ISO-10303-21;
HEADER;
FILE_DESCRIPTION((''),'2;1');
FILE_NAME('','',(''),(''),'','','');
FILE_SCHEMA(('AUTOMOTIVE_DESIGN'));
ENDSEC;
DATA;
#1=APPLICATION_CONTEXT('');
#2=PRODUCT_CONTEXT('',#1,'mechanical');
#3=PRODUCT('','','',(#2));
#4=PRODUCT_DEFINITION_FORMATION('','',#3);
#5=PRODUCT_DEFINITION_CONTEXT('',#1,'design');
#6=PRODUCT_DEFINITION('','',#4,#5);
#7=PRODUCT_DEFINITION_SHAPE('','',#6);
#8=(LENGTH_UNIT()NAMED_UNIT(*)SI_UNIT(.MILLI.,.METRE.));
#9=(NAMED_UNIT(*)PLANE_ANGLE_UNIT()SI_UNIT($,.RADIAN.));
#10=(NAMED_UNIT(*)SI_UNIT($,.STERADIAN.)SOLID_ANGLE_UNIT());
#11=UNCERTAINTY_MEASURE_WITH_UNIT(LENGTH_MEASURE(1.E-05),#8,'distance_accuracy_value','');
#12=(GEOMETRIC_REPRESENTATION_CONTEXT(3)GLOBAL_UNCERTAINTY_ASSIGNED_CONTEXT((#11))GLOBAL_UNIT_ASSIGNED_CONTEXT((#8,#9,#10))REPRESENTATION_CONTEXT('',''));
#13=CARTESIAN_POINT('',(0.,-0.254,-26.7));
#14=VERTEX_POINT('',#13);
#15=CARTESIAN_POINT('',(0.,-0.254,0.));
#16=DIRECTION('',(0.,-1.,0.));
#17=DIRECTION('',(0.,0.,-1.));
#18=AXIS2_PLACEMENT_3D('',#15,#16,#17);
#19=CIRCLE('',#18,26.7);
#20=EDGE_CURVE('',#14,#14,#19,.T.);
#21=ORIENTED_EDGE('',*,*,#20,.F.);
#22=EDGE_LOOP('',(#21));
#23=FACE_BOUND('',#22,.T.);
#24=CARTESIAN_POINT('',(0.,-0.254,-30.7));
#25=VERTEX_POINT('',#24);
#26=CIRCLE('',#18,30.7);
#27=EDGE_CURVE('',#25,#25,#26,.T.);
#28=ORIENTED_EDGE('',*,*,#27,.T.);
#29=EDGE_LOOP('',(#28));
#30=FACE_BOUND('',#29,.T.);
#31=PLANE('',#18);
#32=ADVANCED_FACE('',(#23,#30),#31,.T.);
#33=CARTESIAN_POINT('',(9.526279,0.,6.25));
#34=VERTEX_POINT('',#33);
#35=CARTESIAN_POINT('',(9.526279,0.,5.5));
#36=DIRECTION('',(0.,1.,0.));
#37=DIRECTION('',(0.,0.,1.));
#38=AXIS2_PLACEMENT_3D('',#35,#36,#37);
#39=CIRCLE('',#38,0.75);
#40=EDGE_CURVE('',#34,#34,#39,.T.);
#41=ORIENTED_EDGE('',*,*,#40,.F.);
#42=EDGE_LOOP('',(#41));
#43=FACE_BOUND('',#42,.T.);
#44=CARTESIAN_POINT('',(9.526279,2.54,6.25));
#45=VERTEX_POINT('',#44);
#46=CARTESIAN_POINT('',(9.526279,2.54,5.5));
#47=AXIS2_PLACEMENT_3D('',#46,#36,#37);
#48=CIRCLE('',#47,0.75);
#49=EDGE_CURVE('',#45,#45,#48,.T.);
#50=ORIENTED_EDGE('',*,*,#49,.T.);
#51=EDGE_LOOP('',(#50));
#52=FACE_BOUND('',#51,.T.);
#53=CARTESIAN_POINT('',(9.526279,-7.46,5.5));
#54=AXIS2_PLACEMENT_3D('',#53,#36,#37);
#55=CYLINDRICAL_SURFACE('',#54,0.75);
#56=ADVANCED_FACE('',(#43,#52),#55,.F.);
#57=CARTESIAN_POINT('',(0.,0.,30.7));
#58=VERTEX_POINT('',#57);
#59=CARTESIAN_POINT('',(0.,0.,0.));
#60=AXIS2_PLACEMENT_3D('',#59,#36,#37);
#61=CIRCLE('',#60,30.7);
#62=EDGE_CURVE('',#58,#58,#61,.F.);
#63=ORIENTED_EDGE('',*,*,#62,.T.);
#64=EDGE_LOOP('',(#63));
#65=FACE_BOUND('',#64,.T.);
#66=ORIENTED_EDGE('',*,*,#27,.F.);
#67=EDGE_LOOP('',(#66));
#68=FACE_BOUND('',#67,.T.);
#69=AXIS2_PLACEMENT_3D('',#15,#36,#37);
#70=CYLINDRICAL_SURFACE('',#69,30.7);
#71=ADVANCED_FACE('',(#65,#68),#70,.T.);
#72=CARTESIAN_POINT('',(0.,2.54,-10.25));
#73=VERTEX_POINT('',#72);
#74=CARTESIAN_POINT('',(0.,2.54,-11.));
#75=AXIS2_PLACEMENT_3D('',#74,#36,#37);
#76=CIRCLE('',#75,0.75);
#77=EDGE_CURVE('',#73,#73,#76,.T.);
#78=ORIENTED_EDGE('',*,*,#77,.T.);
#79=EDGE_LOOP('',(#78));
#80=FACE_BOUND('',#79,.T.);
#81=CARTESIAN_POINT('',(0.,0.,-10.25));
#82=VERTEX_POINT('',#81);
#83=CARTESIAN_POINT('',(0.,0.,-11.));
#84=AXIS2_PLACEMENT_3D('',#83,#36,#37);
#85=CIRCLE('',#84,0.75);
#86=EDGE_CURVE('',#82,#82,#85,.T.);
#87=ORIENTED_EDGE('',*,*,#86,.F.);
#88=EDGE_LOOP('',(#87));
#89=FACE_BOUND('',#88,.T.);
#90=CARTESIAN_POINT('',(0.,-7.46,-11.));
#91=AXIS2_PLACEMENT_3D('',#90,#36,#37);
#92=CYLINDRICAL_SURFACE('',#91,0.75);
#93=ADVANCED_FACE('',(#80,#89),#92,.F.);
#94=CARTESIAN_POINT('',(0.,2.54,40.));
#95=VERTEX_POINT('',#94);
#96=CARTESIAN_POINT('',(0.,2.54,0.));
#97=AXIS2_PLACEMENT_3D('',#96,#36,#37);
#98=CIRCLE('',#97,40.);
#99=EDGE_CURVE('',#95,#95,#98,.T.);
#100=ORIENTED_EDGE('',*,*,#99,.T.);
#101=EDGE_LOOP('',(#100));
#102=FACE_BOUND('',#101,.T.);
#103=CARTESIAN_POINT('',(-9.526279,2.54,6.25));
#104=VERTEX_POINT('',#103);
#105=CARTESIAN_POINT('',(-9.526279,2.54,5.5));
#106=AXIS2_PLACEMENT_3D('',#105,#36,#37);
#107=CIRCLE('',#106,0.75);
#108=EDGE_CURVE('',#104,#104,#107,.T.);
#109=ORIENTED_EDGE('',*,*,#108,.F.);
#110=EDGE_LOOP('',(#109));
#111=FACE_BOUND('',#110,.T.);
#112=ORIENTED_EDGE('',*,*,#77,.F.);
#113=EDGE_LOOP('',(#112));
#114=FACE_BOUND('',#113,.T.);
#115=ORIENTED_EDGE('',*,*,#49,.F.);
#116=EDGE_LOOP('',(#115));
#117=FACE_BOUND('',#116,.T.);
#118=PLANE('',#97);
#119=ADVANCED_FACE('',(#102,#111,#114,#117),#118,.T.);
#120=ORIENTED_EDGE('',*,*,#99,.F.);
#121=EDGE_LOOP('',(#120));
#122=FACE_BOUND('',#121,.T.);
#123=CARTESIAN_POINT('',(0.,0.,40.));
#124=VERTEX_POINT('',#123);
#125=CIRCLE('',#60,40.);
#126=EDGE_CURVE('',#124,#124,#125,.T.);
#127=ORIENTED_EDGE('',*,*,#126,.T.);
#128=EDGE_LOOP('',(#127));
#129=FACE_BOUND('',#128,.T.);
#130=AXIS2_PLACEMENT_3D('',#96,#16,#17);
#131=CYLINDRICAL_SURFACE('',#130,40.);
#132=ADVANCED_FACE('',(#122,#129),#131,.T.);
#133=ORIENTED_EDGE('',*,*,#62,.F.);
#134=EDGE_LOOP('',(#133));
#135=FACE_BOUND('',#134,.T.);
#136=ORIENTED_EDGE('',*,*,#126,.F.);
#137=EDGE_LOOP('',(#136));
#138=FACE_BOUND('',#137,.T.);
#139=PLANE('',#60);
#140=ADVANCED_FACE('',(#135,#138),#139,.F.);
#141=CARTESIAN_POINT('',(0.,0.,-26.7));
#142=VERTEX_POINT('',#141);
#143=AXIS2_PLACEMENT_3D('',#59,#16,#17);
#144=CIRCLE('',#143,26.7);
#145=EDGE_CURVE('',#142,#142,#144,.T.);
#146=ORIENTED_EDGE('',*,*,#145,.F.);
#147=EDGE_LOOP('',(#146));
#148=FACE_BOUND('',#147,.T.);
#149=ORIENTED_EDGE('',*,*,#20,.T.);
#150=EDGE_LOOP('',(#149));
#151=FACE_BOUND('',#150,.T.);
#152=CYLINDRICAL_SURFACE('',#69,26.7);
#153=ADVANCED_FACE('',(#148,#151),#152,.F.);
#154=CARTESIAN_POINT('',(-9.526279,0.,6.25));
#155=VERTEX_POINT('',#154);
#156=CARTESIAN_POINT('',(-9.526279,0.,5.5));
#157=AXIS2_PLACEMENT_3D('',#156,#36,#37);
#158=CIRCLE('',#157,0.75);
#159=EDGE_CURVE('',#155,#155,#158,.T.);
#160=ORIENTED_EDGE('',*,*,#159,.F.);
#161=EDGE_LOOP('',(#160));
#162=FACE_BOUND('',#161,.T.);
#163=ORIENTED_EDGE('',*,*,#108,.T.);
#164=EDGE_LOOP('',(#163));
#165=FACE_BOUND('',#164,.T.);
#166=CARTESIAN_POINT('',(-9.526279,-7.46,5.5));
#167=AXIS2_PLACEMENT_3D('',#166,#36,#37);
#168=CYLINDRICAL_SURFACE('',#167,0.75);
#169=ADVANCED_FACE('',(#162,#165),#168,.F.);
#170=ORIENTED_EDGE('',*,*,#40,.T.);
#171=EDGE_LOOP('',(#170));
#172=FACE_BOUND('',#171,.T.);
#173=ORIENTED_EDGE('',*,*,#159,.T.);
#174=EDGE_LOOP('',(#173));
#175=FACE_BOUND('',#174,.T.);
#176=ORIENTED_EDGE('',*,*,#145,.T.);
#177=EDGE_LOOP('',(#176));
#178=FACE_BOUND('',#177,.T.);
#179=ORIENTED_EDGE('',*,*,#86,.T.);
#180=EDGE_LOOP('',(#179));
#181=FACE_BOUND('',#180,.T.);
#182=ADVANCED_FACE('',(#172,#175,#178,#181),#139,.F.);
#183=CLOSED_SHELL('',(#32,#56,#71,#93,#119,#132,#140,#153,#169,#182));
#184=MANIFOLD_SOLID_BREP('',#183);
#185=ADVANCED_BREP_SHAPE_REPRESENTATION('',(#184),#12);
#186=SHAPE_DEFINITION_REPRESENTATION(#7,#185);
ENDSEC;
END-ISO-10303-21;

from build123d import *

# Parameters (mm, degrees)
SKETCH1_R           = 40
BOSS_EXTRUDE1_DEPTH = 2.54
SKETCH2_R           = 0.75
CUT_EXTRUDE1_DEPTH  = 10
SKETCH3_R           = 30.7
SKETCH3_R_2         = 26.7
BOSS_EXTRUDE2_DEPTH = 0.254


with BuildPart() as part:
    # Sketch1 → Boss-Extrude1 (new body)
    with BuildSketch(Plane(origin=(0, 0, 0), x_dir=(1, 0, 0), z_dir=(0, 1, 0))):
        Circle(SKETCH1_R)
    extrude(amount=BOSS_EXTRUDE1_DEPTH)

    # Sketch2 → Cut-Extrude1 (cut)
    with BuildSketch(Plane(origin=(0, 2.54, 0), x_dir=(1, 0, 0), z_dir=(0, 1, 0))):
        with Locations((0, 11)):
            Circle(SKETCH2_R)
        with Locations((9.526279442, -5.5)):
            Circle(SKETCH2_R)
        with Locations((-9.526279442, -5.5)):
            Circle(SKETCH2_R)
    extrude(amount=-CUT_EXTRUDE1_DEPTH, mode=Mode.SUBTRACT)

    # Sketch3 → Boss-Extrude2 (add)
    with BuildSketch(Plane.XZ):
        Circle(SKETCH3_R)
        Circle(SKETCH3_R_2, mode=Mode.SUBTRACT)
    extrude(amount=BOSS_EXTRUDE2_DEPTH)


solid = part.part
